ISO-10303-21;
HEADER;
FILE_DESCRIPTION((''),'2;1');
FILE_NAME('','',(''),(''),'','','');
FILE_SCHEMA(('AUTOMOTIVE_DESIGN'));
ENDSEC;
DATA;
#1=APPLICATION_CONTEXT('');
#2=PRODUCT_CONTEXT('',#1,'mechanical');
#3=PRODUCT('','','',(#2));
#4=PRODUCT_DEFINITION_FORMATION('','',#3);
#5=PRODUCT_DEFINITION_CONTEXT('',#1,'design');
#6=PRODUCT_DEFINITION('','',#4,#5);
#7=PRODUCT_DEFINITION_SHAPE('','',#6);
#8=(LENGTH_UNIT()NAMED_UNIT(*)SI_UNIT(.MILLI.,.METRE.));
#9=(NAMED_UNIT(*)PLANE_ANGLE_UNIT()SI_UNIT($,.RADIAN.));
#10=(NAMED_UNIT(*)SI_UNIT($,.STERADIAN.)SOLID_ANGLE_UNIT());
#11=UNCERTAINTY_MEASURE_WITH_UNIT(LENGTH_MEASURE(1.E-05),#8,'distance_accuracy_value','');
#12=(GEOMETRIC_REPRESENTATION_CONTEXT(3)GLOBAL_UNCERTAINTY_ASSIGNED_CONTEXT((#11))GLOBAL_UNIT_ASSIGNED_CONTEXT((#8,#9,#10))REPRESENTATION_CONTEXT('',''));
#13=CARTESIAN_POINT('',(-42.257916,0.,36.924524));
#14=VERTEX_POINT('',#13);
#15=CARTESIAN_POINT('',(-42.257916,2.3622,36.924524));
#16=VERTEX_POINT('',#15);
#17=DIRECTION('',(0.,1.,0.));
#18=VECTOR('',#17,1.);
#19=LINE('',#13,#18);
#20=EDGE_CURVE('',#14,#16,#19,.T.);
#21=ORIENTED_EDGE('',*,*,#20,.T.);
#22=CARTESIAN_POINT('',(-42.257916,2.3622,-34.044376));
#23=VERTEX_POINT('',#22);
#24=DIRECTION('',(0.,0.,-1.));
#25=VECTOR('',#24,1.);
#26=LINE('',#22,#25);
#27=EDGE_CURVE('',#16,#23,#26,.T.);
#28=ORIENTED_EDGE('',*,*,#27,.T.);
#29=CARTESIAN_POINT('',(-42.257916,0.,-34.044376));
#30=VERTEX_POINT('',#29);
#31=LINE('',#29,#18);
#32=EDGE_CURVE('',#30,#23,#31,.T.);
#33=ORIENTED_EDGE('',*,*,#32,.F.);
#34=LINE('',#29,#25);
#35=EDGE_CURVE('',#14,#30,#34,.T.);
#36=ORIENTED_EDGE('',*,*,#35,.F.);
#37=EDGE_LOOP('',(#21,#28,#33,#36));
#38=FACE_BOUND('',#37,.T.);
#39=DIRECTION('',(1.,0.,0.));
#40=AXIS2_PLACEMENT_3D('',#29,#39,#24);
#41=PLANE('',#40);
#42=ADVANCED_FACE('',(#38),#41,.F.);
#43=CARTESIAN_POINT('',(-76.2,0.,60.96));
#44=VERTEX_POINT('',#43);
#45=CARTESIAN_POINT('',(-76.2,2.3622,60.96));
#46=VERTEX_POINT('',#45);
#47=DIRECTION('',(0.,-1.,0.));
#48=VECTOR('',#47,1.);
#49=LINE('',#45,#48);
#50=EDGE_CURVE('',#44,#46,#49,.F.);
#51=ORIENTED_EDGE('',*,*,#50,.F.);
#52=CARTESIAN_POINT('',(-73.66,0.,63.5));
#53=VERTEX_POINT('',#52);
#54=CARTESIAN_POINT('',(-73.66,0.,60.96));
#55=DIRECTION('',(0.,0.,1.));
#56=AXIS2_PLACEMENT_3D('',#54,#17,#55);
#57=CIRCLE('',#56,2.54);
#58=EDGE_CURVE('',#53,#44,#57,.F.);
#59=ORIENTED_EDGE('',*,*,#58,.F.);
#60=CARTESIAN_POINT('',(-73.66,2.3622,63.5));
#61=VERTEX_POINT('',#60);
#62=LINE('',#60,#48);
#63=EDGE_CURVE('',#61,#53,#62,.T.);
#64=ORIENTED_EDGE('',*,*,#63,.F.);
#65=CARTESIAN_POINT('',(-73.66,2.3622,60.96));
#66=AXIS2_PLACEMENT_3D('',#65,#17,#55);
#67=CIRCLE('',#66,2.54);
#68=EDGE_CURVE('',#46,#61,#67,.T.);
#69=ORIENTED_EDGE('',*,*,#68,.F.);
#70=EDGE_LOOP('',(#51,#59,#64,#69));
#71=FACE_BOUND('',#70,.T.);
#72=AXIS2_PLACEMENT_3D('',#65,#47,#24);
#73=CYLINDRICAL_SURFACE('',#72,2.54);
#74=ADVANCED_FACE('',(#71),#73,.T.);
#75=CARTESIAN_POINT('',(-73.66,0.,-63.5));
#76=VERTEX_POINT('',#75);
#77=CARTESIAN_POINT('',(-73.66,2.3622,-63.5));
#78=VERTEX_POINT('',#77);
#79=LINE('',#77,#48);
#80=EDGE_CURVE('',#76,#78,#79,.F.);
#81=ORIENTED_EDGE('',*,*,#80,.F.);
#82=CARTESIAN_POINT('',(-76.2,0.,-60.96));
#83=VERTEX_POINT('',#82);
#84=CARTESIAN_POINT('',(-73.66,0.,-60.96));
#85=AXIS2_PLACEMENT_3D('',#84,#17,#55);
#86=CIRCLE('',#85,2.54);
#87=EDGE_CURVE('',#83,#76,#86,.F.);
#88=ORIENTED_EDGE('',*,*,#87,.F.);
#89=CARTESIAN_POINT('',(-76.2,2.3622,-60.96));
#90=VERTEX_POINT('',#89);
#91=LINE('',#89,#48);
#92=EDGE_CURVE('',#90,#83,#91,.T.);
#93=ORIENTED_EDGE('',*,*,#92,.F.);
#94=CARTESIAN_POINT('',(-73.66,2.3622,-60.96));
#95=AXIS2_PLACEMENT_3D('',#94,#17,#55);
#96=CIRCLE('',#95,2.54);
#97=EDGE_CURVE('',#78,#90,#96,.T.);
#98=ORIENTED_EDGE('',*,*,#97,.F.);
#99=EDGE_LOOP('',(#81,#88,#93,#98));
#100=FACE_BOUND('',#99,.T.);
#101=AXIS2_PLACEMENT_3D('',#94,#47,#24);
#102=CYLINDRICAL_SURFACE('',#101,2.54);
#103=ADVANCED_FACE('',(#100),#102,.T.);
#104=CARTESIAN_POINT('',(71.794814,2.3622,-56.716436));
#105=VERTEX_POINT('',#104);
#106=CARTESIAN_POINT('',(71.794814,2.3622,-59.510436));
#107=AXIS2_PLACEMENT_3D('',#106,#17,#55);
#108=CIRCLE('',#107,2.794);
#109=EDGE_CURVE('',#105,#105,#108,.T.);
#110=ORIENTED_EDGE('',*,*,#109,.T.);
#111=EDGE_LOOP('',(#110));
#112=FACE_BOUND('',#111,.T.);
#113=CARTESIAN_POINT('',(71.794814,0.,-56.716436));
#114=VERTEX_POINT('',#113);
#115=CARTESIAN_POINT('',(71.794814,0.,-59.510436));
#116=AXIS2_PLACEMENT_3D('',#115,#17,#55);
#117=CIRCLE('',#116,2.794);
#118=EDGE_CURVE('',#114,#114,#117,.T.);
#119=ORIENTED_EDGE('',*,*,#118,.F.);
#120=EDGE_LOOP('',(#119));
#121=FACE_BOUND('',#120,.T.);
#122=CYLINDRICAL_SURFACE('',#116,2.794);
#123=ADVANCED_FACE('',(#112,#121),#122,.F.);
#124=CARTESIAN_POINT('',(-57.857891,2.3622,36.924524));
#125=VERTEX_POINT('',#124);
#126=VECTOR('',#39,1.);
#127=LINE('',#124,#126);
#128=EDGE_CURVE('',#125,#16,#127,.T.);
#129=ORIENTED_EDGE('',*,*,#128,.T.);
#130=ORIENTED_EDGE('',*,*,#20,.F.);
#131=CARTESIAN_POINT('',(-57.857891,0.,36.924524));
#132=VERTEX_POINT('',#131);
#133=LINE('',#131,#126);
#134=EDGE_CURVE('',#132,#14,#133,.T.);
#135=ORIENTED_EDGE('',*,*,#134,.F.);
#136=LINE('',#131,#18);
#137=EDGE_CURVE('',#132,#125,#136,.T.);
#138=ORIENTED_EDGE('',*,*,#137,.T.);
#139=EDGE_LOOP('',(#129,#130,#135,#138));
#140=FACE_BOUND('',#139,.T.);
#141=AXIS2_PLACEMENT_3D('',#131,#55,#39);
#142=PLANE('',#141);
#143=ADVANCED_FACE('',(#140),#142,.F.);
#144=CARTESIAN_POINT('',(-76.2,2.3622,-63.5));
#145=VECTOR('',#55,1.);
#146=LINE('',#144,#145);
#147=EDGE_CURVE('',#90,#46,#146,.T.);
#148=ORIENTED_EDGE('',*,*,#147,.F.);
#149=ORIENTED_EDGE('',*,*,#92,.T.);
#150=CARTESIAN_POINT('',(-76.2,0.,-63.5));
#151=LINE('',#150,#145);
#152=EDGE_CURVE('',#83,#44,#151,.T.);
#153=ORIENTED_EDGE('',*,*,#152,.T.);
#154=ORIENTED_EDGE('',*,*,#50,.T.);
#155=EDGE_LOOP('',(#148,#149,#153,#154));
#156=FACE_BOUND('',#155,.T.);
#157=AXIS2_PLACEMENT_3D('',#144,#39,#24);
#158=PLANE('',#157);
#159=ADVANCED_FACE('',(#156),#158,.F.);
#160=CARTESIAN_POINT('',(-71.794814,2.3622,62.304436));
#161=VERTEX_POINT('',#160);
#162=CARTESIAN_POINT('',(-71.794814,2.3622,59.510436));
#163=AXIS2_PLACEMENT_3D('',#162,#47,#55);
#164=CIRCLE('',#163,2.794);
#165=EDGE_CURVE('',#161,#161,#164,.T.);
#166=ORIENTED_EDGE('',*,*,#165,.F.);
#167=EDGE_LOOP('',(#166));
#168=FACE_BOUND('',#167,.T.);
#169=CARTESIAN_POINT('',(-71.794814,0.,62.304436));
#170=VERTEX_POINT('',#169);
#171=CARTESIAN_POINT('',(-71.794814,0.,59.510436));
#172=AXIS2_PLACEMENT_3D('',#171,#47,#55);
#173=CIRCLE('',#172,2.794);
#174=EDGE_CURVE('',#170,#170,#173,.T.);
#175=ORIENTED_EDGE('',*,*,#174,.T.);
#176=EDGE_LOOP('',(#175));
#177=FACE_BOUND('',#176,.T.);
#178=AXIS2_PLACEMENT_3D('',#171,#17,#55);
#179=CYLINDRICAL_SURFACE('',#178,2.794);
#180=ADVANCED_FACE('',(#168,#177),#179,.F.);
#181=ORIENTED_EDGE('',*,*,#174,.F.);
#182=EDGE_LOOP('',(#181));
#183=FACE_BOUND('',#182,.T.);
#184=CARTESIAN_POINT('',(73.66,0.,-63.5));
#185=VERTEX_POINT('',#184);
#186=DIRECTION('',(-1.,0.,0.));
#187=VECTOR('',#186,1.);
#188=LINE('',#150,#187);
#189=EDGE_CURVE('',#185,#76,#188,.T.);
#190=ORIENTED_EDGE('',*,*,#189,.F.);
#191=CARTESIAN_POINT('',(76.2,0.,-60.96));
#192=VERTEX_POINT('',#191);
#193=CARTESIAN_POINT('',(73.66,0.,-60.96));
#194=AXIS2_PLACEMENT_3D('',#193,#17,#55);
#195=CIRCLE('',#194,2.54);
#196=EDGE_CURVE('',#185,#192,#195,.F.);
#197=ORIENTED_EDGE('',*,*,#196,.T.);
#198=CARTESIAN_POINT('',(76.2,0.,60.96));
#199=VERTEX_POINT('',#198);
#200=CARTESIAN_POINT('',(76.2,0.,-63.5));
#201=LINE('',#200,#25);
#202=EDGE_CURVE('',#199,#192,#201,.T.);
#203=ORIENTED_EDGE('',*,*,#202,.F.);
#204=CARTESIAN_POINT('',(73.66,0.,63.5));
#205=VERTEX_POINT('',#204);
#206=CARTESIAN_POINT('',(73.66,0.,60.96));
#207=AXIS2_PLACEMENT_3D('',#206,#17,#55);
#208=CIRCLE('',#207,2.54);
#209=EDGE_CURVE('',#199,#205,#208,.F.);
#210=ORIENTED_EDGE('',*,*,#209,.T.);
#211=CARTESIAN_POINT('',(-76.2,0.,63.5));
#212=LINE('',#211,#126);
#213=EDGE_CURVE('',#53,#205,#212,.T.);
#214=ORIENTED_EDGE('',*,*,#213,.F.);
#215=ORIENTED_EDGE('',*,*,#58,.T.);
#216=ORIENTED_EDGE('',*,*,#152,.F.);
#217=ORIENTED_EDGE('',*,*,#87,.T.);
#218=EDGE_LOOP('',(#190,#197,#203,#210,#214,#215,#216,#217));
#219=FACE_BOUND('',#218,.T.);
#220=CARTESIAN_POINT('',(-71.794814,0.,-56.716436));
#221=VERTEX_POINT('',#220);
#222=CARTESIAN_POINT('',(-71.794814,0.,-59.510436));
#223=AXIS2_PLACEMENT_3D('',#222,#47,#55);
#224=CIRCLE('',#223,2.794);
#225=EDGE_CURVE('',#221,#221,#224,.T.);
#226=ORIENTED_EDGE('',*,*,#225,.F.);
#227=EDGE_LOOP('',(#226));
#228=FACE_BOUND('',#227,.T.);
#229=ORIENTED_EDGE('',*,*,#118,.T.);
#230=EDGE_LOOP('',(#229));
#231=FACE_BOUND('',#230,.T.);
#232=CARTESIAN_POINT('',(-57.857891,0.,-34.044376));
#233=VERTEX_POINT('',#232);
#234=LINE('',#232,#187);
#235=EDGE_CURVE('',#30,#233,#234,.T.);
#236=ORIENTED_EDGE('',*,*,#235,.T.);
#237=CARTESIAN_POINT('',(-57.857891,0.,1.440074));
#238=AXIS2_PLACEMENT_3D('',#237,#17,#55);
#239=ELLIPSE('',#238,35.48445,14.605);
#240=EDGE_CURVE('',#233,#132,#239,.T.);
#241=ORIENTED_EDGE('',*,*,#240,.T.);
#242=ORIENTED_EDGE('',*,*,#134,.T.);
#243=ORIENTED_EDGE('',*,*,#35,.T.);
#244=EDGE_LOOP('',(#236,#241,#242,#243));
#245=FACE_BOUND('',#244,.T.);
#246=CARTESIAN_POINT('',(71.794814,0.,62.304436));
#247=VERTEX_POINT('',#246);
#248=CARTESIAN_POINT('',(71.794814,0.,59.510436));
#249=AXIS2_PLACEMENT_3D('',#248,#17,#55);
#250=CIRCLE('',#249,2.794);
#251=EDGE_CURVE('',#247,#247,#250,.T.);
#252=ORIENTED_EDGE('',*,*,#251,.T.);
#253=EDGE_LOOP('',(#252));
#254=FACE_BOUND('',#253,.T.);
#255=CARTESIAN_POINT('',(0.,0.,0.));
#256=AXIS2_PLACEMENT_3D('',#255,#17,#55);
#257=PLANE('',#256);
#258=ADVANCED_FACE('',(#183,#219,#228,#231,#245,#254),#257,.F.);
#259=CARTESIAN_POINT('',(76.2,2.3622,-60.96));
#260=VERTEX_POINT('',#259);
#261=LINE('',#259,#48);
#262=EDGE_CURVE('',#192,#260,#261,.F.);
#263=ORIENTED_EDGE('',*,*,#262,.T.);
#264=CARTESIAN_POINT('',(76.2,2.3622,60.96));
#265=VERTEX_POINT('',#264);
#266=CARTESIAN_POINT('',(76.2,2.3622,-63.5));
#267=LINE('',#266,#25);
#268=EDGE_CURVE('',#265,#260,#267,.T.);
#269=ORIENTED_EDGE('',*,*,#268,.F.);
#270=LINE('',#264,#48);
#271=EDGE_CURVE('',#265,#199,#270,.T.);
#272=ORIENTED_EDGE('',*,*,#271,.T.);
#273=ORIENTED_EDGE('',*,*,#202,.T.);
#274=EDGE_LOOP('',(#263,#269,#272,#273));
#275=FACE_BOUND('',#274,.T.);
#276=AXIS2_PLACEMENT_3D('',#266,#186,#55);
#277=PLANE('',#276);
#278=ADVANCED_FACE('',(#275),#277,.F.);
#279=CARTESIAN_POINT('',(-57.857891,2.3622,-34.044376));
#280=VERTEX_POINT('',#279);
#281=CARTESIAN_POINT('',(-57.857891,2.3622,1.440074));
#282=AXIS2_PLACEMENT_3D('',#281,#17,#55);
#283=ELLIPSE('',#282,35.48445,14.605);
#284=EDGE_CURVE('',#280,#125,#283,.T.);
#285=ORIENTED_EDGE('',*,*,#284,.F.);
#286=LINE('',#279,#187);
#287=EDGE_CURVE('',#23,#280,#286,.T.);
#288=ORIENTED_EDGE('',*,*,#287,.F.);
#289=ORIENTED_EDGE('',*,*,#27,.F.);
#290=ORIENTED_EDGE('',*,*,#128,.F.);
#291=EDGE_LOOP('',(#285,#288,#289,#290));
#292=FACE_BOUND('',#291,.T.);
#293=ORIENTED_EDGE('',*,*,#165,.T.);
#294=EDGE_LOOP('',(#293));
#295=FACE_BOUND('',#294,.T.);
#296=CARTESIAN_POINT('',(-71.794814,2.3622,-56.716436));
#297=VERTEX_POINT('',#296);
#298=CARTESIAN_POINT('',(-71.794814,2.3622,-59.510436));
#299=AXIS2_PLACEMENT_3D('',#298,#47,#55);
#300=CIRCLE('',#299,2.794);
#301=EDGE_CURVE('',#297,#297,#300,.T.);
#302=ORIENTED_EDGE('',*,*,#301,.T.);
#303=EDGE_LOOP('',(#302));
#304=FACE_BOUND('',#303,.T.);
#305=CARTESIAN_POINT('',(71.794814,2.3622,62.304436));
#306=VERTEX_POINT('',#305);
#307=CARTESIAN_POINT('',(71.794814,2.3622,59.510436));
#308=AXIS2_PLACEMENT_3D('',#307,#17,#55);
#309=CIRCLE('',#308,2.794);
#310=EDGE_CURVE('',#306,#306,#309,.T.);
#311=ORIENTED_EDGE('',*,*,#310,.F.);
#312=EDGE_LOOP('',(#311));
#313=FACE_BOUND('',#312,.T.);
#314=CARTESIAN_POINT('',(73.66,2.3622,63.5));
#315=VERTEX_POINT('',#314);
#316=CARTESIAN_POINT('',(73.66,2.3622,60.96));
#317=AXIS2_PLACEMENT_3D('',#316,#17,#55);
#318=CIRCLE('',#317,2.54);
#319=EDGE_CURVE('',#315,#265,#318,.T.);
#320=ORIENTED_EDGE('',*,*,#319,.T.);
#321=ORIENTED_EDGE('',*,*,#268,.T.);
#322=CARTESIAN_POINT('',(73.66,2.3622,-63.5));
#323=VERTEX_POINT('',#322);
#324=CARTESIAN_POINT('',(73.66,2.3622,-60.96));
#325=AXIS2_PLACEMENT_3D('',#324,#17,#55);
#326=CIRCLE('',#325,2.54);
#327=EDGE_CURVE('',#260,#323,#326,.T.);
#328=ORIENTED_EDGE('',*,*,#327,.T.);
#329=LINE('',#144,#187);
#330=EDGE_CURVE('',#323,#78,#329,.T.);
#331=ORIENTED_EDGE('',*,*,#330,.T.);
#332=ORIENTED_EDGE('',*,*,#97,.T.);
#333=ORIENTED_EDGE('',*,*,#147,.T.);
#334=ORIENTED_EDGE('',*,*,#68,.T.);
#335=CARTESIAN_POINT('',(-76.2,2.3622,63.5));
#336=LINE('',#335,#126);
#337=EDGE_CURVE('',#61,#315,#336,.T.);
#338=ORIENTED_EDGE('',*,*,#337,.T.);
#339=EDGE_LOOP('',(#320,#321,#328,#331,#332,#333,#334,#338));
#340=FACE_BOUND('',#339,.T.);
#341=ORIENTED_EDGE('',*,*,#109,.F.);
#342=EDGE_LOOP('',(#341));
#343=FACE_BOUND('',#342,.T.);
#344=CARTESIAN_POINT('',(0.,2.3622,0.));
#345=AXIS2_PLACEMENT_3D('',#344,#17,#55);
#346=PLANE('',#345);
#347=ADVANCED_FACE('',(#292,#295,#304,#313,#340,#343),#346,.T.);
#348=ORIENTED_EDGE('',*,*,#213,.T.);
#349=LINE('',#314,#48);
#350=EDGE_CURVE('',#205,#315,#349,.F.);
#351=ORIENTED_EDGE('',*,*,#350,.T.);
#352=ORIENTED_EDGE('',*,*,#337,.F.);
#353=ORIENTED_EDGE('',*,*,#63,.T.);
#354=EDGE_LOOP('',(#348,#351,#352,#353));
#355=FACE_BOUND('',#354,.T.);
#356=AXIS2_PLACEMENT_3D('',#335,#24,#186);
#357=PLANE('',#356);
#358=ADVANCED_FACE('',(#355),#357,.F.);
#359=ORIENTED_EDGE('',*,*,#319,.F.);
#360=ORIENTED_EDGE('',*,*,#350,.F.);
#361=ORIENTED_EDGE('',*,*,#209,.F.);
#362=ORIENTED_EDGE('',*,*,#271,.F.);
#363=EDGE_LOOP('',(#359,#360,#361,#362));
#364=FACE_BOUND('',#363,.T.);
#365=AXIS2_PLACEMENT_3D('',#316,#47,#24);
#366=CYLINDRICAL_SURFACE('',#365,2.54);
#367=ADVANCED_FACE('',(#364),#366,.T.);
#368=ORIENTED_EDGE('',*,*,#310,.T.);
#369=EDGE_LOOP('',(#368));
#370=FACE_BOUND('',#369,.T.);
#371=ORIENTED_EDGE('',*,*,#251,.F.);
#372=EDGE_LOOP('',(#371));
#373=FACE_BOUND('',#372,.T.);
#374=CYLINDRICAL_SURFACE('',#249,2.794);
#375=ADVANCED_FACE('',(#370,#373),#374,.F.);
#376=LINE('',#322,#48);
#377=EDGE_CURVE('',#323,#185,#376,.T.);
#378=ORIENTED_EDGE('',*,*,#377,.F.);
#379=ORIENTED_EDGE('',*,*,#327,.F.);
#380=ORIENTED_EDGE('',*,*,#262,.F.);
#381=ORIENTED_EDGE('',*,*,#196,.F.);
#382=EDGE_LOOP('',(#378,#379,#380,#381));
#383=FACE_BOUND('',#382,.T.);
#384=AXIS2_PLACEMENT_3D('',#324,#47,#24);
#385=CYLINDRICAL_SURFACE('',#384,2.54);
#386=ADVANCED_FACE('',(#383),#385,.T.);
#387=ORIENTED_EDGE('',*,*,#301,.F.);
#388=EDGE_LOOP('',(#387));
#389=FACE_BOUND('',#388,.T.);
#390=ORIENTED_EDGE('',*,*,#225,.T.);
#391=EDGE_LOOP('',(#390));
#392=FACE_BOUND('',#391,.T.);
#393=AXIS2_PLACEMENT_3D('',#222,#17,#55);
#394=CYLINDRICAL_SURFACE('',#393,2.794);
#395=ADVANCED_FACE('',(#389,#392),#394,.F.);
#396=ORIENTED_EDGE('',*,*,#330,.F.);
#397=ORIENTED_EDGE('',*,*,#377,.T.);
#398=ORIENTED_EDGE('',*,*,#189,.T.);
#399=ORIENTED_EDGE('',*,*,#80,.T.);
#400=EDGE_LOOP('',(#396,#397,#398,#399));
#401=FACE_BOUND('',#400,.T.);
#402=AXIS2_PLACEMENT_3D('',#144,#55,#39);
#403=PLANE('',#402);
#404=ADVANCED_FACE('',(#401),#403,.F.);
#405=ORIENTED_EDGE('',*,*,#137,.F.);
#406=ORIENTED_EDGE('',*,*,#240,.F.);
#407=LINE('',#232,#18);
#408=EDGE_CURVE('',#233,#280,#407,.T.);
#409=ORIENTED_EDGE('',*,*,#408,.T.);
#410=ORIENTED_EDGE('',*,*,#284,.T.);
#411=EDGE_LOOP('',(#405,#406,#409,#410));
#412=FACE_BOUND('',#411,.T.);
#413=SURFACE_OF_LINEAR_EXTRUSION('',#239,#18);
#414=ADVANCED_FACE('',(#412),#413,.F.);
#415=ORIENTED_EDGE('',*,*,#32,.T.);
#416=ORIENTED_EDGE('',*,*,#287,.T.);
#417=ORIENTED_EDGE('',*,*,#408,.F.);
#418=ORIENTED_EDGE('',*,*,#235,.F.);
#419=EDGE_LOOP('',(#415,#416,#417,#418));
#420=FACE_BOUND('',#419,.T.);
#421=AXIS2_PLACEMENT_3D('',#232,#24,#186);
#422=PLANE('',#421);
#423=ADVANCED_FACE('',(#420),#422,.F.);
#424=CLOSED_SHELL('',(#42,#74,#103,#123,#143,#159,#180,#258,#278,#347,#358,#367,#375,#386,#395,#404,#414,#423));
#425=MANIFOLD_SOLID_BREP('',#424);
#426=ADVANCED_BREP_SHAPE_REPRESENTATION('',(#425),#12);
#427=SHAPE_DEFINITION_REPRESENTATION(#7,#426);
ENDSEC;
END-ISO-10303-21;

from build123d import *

# Parameters (mm, degrees)
SKETCH1_W           = 152.4
SKETCH1_H           = 127
BOSS_EXTRUDE1_DEPTH = 2.3622
SKETCH2_R           = 2.794
CUT_EXTRUDE1_DEPTH  = 100.218294628
FILLET1_R           = 2.54
SKETCH4_W           = 15.599974926
SKETCH4_H           = 70.968900013
CUT_EXTRUDE2_DEPTH  = 100.218294628
SKETCH5_RX          = 35.484450006
SKETCH5_RY          = 14.605
CUT_EXTRUDE3_DEPTH  = 100.218294628


with BuildPart() as part:
    # Sketch1 → Boss-Extrude1 (new body)
    with BuildSketch(Plane(origin=(0, 0, 0), x_dir=(1, 0, 0), z_dir=(0, 1, 0))):
        Rectangle(SKETCH1_W, SKETCH1_H)
    extrude(amount=BOSS_EXTRUDE1_DEPTH)

    # Sketch2 → Cut-Extrude1 (cut, through all)
    with BuildSketch(Plane(origin=(0, 2.3622, 0), x_dir=(1, 0, 0), z_dir=(0, 1, 0))):
        with Locations(Location((71.794813785, -59.510435834, 0), (0, 0, 270))):
            Circle(SKETCH2_R)
        with Locations(Location((71.794813785, 59.510435834, 0), (0, 0, 270))):
            Circle(SKETCH2_R)
    cut_extrude1 = extrude(amount=-CUT_EXTRUDE1_DEPTH, mode=Mode.SUBTRACT)

    # Mirror1: Cut-Extrude1 across plane
    add(cut_extrude1.mirror(Plane(origin=(0, 0, 0), x_dir=(0, 0, 1), z_dir=(1, 0, 0))), mode=Mode.SUBTRACT)

    # Fillet1
    fillet1_edges = [part.edges().sort_by_distance(p)[0] for p in [
        (76.2, 1.1811, 63.5),
        (-76.2, 1.1811, 63.5),
        (-76.2, 1.1811, -63.5),
        (76.2, 1.1811, -63.5),
    ]]
    fillet(fillet1_edges, radius=FILLET1_R)

    # Sketch4 → Cut-Extrude2 (cut, through all)
    with BuildSketch(Plane(origin=(0, 2.3622, 0), x_dir=(1, 0, 0), z_dir=(0, 1, 0))):
        with Locations((-50.05790393, -1.440073651)):
            Rectangle(SKETCH4_W, SKETCH4_H)
    extrude(amount=-CUT_EXTRUDE2_DEPTH, mode=Mode.SUBTRACT)

    # Sketch5 → Cut-Extrude3 (cut, through all)
    with BuildSketch(Plane(origin=(0, 2.3622, 0), x_dir=(1, 0, 0), z_dir=(0, 1, 0))):
        with Locations(Location((-57.857891393, -1.44007365), (0, 0, -90))):
            Ellipse(SKETCH5_RX, SKETCH5_RY)
    extrude(amount=-CUT_EXTRUDE3_DEPTH, mode=Mode.SUBTRACT)


solid = part.part
